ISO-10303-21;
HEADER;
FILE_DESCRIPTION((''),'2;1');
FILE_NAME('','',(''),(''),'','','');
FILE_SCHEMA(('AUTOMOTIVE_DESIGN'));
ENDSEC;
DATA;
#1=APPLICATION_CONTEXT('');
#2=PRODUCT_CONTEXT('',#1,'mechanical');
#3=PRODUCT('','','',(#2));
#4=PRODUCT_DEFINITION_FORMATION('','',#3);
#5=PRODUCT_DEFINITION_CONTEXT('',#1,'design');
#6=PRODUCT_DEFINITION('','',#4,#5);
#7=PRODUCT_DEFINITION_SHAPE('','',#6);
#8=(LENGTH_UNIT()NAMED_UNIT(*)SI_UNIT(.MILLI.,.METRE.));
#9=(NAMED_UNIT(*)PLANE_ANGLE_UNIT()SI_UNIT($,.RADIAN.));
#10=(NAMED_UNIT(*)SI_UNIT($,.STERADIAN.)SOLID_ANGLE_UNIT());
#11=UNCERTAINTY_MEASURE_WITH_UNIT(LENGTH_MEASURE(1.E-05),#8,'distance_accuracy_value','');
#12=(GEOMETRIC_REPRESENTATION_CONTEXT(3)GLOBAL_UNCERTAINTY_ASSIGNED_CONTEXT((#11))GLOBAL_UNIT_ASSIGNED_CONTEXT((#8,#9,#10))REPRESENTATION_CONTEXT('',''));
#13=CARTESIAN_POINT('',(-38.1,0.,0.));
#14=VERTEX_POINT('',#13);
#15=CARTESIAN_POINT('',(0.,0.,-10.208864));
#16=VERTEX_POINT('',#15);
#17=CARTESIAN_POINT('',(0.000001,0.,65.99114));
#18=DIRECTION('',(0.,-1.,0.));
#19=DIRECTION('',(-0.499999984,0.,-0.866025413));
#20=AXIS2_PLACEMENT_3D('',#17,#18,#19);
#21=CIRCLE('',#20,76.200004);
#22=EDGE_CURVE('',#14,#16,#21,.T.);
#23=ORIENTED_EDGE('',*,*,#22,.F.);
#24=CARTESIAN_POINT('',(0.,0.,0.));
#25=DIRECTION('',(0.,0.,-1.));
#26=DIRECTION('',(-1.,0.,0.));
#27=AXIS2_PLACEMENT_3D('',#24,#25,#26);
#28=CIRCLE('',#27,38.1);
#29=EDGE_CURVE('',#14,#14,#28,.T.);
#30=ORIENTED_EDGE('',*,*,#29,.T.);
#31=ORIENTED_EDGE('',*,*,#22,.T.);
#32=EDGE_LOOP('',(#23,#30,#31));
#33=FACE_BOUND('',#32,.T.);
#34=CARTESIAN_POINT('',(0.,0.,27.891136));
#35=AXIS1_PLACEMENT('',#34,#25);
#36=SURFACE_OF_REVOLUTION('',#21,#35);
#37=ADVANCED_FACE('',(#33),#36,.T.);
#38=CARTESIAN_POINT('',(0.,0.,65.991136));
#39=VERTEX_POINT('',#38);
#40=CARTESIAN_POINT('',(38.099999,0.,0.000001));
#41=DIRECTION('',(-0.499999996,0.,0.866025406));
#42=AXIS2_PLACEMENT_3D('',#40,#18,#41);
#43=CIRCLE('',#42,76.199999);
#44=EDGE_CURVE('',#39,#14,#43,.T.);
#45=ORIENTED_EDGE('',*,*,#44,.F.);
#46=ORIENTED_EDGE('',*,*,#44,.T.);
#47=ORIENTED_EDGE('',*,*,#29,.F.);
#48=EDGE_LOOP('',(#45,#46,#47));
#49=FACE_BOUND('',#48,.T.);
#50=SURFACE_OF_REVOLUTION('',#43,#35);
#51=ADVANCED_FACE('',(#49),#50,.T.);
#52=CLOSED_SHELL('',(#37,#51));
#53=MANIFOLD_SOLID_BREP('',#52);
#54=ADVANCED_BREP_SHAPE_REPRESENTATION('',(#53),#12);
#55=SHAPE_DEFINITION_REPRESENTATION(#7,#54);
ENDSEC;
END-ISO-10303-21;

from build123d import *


with BuildPart() as f1:
    # F0 (on Front) → F1 (revolve)
    with BuildSketch(Plane.XZ):
        with BuildLine():
            ThreePointArc((0, 65.991136), (-27.891136, 38.1), (-38.1, 0))
            Line((-38.1, 0), (0, 65.991136))
        make_face()
        Polygon((0, 65.991136), (-38.1, 0), (0, 0), align=None)
        with BuildLine():
            Line((0, 0), (-38.1, 0))
            ThreePointArc((-38.1, 0), (-19.722011, -7.612412), (0, -10.208864))
            Line((0, -10.208864), (0, 0))
        make_face()
    revolve(axis=Axis((0, 0, 27.891136), (0, 0, -1)))


solid = f1.part
